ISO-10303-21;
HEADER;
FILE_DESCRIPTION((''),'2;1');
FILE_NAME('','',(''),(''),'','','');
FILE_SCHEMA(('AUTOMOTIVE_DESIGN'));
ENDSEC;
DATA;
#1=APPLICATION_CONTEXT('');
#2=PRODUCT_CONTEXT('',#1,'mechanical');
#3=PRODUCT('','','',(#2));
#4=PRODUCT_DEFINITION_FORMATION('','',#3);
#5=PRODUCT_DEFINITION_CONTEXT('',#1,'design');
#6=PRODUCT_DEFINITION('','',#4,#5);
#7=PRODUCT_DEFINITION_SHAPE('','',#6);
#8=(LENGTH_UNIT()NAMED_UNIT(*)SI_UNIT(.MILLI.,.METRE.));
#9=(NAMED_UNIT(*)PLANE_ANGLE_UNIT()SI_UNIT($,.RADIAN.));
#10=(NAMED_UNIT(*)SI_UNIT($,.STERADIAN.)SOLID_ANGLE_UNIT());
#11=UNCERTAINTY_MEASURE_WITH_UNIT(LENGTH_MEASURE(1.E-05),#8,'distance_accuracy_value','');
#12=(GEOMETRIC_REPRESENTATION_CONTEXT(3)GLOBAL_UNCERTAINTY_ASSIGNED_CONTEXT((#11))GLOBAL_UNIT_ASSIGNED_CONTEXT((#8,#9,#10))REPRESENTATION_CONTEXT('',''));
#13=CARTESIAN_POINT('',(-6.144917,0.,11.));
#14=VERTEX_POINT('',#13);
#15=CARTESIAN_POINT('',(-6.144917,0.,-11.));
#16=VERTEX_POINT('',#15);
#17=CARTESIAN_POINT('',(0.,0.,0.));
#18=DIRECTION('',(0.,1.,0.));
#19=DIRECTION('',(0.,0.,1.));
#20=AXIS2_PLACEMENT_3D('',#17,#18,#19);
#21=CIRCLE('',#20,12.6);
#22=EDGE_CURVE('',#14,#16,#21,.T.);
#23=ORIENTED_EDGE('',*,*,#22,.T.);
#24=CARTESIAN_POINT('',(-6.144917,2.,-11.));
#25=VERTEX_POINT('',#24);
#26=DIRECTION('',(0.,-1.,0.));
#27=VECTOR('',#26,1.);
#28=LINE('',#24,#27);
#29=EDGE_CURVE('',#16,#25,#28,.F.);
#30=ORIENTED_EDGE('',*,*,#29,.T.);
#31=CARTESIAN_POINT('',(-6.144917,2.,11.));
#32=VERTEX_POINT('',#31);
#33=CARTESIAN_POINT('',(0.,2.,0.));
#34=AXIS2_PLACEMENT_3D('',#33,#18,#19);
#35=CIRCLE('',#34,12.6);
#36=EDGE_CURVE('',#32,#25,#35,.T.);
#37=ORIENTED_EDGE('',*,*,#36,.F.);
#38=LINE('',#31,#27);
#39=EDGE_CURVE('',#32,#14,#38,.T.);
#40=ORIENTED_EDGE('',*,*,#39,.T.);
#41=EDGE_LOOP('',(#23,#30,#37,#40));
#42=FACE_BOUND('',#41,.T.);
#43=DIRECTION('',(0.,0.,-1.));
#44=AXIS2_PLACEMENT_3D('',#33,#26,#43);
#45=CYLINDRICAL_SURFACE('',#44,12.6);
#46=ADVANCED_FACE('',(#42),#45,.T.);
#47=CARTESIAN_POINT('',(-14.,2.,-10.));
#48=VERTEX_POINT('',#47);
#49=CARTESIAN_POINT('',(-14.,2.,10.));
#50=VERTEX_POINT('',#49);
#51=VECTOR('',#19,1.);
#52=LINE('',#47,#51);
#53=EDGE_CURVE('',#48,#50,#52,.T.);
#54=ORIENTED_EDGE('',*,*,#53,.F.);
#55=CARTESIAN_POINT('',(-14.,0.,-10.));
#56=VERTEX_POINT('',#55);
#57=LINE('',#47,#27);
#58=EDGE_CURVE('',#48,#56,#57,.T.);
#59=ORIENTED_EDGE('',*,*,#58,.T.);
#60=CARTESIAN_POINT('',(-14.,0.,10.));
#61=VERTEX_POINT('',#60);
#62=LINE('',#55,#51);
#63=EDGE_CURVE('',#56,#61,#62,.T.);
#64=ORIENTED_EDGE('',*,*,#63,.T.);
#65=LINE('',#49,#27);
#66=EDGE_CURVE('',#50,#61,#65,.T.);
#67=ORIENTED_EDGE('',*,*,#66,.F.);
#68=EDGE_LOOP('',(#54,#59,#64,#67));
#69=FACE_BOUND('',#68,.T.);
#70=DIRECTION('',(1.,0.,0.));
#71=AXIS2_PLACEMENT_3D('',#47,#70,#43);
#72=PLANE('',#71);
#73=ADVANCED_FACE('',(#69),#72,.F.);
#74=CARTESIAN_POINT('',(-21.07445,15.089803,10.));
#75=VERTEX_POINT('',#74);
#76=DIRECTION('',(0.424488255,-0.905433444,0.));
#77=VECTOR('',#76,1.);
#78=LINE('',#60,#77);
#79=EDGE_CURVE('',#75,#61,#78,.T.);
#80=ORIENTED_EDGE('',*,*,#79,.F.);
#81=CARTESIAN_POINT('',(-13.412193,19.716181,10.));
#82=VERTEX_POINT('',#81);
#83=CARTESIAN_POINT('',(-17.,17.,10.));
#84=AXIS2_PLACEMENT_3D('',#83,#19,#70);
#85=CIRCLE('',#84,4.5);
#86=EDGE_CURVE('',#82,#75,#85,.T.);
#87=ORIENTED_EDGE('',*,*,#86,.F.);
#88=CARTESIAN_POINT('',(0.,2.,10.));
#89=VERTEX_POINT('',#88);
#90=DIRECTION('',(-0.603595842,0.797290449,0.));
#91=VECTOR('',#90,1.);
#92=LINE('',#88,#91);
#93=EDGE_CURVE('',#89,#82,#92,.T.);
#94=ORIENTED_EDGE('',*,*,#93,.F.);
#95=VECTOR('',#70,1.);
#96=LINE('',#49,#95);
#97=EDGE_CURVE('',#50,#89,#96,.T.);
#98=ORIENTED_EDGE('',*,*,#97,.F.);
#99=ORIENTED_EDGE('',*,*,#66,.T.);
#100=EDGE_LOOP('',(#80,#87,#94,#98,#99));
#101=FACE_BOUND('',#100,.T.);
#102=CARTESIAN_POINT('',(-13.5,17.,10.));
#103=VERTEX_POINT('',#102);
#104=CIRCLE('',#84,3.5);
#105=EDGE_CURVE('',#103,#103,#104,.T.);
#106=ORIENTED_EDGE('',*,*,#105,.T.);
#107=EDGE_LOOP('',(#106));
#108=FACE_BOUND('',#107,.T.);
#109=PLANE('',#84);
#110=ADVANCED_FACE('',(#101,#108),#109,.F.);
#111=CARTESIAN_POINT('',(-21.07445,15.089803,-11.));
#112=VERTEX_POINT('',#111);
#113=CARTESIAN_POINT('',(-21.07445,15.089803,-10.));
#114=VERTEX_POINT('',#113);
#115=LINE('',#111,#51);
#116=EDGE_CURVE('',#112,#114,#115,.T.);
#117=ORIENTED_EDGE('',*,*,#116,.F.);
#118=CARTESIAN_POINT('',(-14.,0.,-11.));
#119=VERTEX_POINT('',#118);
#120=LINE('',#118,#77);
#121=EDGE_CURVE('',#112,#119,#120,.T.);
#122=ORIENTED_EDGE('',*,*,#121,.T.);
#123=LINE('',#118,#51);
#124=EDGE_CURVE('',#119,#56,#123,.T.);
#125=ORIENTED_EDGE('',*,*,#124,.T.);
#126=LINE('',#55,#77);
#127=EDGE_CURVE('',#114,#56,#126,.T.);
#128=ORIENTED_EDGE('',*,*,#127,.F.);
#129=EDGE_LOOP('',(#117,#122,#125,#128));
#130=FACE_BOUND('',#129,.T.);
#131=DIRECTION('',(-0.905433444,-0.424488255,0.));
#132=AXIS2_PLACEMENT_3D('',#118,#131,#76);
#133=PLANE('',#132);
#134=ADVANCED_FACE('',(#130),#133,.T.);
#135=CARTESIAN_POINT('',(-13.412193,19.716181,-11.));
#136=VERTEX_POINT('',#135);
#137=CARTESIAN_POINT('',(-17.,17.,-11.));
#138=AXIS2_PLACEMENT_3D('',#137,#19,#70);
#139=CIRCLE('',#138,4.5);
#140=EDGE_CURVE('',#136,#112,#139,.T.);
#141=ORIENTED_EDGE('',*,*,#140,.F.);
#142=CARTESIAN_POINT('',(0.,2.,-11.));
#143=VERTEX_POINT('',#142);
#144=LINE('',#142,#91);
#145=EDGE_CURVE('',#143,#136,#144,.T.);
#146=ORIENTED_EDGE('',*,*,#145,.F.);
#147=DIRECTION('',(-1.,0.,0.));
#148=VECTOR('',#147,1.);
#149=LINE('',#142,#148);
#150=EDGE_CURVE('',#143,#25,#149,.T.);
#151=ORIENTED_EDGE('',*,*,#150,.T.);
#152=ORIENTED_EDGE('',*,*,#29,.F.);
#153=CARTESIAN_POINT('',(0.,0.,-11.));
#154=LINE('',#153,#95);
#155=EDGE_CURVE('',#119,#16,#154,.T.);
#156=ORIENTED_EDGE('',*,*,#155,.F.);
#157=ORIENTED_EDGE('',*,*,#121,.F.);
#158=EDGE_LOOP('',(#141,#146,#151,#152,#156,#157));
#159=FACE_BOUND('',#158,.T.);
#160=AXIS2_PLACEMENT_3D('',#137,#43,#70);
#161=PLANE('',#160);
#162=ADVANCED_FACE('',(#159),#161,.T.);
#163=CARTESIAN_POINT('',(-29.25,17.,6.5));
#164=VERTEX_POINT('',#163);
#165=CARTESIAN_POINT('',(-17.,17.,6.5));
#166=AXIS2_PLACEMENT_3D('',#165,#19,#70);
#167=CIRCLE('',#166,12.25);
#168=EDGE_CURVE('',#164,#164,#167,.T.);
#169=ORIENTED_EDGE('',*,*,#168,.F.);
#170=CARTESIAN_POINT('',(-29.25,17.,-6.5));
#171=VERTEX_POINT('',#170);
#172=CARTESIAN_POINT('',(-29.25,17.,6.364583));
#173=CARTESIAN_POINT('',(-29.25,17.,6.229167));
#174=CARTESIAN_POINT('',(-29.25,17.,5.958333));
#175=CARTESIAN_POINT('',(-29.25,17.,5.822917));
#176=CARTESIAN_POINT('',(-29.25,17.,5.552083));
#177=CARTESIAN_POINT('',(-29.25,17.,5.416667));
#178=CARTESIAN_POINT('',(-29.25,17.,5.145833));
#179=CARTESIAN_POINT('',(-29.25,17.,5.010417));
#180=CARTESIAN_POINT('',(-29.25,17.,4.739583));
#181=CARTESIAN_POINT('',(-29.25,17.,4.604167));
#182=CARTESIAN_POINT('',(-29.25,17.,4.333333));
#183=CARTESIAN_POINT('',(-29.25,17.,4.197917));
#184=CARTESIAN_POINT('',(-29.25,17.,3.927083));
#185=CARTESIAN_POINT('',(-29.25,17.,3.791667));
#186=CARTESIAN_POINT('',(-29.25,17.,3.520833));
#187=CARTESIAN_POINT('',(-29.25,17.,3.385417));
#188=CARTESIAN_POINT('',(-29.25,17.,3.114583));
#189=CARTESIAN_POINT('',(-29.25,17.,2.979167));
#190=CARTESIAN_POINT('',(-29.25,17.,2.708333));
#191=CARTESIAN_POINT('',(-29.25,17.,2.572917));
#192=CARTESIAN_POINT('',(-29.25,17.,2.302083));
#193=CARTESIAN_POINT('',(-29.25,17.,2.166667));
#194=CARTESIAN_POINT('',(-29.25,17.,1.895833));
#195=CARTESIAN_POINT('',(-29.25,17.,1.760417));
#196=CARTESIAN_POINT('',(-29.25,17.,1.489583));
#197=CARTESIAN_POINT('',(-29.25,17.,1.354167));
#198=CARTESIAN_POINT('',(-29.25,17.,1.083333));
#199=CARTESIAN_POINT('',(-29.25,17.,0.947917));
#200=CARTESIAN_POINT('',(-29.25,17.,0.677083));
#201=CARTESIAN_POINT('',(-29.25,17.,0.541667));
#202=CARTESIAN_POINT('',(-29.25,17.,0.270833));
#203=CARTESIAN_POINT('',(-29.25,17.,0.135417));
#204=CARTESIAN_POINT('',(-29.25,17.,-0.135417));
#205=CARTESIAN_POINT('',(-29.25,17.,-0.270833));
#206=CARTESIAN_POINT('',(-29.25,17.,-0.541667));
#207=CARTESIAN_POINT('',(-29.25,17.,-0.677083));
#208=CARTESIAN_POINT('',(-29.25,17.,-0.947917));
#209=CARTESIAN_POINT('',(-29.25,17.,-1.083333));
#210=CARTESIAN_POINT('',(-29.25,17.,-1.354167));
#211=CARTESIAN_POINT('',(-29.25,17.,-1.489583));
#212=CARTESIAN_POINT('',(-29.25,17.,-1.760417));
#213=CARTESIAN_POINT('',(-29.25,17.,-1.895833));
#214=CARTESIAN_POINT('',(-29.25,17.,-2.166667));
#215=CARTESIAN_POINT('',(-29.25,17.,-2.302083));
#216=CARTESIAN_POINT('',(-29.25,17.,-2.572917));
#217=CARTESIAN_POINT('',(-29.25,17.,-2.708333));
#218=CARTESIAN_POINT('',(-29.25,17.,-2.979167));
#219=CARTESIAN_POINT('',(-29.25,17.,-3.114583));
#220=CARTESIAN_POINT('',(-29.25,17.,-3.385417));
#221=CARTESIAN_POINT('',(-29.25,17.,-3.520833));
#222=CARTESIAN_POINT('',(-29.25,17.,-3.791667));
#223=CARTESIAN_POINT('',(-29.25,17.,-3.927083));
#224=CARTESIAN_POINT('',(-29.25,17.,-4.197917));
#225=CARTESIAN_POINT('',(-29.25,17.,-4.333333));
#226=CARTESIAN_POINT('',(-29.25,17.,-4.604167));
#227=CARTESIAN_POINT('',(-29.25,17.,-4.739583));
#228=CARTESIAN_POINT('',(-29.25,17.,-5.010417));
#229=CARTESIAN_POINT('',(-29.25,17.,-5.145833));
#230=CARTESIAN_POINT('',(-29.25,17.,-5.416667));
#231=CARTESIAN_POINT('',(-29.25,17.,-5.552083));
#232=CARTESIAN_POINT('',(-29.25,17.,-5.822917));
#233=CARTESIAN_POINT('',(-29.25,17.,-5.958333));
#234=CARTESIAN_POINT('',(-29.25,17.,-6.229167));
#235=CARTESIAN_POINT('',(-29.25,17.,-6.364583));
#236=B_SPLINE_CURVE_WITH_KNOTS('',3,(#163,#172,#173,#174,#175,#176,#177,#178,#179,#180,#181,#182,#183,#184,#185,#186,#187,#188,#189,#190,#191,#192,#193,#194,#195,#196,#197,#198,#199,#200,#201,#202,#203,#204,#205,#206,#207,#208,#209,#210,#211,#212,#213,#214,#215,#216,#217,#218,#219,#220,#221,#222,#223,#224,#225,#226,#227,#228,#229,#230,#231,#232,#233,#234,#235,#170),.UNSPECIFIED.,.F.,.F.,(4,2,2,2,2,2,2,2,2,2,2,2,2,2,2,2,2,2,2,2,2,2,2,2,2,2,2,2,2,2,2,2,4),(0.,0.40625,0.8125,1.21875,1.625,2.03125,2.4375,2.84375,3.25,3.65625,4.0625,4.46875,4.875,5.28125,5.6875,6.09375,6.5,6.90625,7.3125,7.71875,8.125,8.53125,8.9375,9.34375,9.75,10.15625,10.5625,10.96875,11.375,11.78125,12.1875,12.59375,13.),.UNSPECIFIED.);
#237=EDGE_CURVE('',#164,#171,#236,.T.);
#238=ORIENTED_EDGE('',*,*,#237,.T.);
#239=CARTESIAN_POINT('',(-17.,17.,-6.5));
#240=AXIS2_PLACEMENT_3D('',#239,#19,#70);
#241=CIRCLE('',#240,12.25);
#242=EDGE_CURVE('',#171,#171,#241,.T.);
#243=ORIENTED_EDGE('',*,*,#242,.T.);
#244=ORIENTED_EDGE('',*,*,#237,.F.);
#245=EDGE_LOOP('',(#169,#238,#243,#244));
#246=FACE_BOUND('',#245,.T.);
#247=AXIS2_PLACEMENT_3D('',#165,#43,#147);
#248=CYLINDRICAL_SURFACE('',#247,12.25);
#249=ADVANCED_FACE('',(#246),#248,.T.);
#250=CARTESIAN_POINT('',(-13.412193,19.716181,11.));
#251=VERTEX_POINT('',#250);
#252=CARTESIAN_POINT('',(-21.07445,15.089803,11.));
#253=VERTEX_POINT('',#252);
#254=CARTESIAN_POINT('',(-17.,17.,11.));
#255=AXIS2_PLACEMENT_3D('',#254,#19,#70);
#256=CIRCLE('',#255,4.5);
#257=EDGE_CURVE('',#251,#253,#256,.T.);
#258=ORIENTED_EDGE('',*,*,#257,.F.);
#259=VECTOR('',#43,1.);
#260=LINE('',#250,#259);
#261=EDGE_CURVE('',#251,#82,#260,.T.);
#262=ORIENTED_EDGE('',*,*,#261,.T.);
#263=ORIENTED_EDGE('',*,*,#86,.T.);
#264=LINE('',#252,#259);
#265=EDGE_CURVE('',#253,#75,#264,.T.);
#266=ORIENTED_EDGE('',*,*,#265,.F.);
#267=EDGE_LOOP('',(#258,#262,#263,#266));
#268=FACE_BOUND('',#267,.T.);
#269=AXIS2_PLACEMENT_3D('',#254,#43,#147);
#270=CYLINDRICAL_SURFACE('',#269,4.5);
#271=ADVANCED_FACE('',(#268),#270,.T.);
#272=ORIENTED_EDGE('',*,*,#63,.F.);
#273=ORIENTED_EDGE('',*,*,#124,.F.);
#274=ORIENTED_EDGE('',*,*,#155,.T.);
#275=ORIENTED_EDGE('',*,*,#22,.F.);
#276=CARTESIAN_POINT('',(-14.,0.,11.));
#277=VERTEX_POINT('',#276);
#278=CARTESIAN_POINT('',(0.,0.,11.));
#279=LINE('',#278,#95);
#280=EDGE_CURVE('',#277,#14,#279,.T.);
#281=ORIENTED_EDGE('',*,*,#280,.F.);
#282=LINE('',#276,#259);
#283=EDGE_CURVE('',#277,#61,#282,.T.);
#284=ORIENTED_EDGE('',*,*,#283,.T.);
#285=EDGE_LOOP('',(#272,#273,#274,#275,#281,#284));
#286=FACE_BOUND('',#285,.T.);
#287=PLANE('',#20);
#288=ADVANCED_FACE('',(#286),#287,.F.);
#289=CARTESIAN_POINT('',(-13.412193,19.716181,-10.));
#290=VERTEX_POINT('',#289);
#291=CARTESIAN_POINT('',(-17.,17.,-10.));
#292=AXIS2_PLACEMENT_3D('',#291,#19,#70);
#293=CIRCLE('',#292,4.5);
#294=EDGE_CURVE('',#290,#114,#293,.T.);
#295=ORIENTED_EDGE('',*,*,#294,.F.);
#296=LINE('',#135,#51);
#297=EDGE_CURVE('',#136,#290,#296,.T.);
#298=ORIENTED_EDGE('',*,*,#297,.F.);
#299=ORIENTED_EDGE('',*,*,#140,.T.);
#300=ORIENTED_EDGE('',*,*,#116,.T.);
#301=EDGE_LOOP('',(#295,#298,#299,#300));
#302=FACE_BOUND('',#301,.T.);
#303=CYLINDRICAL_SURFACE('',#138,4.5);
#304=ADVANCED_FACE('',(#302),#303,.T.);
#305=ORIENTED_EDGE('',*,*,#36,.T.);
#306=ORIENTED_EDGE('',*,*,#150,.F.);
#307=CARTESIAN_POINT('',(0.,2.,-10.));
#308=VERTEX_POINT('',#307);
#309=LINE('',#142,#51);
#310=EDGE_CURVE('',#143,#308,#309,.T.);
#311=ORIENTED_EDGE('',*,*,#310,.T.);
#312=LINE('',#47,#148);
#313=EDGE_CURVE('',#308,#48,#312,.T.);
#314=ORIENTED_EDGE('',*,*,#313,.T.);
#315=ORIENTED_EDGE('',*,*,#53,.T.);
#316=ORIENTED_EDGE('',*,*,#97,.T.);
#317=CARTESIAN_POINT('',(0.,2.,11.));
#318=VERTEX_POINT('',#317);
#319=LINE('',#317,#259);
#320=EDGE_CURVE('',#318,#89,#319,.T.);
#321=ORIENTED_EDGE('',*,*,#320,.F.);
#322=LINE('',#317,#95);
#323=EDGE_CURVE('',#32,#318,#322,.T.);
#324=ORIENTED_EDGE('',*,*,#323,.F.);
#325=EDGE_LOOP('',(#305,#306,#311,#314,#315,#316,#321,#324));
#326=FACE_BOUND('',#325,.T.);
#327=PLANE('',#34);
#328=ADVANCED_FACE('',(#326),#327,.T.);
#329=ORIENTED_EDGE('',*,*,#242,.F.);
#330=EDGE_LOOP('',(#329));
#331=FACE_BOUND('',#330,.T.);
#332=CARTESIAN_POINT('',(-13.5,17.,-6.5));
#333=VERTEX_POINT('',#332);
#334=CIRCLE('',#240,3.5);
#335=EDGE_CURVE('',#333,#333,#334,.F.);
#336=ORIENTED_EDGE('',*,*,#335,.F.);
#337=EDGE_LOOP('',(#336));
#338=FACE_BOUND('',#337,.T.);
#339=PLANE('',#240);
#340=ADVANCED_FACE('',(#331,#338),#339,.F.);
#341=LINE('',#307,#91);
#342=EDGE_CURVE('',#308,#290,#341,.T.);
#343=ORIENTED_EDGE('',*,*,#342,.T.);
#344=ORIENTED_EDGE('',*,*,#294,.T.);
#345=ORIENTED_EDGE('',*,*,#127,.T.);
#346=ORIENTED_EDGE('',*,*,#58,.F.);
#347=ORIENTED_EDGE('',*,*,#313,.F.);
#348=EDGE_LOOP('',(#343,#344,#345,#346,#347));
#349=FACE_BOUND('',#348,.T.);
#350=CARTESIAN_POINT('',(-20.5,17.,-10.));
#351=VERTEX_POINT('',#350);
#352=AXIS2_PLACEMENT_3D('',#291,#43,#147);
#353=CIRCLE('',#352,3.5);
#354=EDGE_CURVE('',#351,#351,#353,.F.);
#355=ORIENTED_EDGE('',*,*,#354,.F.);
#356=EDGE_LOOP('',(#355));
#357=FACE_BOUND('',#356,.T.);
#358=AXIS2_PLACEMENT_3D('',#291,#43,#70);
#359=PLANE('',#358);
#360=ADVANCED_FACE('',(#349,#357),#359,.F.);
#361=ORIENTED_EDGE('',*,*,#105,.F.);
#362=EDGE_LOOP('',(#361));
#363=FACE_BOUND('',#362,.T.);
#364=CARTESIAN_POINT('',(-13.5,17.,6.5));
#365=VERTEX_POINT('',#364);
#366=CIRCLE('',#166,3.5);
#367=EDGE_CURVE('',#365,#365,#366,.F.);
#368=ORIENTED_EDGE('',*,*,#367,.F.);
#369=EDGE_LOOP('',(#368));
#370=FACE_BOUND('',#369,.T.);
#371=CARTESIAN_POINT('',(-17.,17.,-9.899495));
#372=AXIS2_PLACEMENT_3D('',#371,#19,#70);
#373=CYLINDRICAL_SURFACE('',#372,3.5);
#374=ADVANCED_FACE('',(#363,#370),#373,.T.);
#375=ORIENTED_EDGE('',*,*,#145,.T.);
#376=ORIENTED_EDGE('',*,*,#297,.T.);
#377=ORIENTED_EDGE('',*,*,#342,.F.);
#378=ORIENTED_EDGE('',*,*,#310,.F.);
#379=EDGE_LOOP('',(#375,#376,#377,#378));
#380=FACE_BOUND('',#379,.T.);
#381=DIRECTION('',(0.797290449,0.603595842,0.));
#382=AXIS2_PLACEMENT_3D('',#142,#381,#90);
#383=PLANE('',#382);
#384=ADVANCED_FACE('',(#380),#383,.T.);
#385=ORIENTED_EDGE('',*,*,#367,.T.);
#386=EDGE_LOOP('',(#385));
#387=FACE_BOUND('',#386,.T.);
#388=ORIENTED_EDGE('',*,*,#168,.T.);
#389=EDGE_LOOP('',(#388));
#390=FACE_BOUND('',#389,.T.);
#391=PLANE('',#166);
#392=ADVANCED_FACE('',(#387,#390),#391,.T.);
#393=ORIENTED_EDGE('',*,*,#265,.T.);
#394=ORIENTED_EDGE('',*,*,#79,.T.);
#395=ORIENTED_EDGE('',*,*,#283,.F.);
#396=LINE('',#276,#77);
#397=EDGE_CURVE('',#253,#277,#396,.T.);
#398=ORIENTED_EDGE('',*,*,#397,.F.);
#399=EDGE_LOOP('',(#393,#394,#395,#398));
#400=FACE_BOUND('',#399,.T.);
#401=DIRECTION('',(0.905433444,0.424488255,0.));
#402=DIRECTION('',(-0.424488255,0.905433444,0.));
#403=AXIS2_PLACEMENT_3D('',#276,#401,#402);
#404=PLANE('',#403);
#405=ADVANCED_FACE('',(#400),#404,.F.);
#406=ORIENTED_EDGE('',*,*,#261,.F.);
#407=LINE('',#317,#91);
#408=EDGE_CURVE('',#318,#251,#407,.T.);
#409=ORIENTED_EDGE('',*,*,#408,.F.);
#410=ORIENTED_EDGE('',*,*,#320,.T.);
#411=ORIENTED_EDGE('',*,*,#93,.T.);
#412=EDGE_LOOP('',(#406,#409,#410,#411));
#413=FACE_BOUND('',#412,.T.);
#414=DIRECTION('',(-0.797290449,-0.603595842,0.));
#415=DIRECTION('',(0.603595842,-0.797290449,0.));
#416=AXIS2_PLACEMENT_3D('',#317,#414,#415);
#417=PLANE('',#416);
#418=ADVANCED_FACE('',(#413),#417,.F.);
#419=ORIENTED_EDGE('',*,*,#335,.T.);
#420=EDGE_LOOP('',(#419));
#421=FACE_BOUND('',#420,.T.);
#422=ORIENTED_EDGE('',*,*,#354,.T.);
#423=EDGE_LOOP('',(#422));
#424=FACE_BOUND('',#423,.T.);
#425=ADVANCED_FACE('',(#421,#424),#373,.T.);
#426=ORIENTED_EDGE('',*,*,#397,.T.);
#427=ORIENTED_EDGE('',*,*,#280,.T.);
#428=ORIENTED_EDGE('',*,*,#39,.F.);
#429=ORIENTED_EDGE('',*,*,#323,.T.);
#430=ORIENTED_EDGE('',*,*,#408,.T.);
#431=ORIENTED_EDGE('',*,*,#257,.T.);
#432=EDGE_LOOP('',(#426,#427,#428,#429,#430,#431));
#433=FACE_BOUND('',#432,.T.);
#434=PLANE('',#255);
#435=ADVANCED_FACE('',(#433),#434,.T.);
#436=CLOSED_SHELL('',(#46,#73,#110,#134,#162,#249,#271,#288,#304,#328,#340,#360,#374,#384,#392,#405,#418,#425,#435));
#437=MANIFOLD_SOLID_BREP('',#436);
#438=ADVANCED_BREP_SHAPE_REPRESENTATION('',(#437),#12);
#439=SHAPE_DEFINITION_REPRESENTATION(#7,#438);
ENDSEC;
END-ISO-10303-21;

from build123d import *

# Parameters (mm, degrees)
BOSS_EXTRUDE1_DEPTH = 2
BOSS_EXTRUDE2_DEPTH = 1
SKETCH3_R           = 3.5
BOSS_EXTRUDE4_DEPTH = 11
SKETCH4_R           = 12.25
BOSS_EXTRUDE5_DEPTH = 6.5


with BuildPart() as part:
    # Sketch1 → Boss-Extrude1 (new body)
    with BuildSketch(Plane(origin=(0, 0, 0), x_dir=(1, 0, 0), z_dir=(0, 1, 0))):
        with BuildLine():
            Line((-14, 10), (-7.665507159, 10))
            ThreePointArc((-7.665507159, 10), (12.6, 0), (-7.665507159, -10))
            Line((-7.665507159, -10), (-14, -10))
            Line((-14, -10), (-14, 10))
        make_face()
    extrude(amount=BOSS_EXTRUDE1_DEPTH)

    # Sketch2 → Boss-Extrude2 (add)
    with BuildSketch(Plane.XY.offset(10)):
        with BuildLine():
            Line((0, 2), (-13.412192981, 19.716181289))
            ThreePointArc((-13.412192981, 19.716181289), (-19.325951381, 20.85226559), (-21.074450498, 15.089802853))
            Line((-21.074450498, 15.089802853), (-14, 0))
            Line((-14, 0), (0, 0))
            Line((0, 0), (0, 2))
        make_face()
    boss_extrude2 = extrude(amount=BOSS_EXTRUDE2_DEPTH)

    # Sketch3 → Boss-Extrude4 (add)
    with BuildSketch(Plane.XY.offset(11)):
        with Locations((-17, 17)):
            Circle(SKETCH3_R)
    boss_extrude4 = extrude(amount=-BOSS_EXTRUDE4_DEPTH)

    # Mirror1: Boss-Extrude2, Boss-Extrude4 across plane
    add(boss_extrude2.mirror(Plane.XY))
    add(boss_extrude4.mirror(Plane.XY))

    # Sketch4 → Boss-Extrude5 (add, symmetric)
    with BuildSketch(Plane.XY):
        with Locations(Location((-17, 17, 0), (0, 0, 180))):
            Circle(SKETCH4_R)
    extrude(amount=BOSS_EXTRUDE5_DEPTH, both=True)


solid = part.part
